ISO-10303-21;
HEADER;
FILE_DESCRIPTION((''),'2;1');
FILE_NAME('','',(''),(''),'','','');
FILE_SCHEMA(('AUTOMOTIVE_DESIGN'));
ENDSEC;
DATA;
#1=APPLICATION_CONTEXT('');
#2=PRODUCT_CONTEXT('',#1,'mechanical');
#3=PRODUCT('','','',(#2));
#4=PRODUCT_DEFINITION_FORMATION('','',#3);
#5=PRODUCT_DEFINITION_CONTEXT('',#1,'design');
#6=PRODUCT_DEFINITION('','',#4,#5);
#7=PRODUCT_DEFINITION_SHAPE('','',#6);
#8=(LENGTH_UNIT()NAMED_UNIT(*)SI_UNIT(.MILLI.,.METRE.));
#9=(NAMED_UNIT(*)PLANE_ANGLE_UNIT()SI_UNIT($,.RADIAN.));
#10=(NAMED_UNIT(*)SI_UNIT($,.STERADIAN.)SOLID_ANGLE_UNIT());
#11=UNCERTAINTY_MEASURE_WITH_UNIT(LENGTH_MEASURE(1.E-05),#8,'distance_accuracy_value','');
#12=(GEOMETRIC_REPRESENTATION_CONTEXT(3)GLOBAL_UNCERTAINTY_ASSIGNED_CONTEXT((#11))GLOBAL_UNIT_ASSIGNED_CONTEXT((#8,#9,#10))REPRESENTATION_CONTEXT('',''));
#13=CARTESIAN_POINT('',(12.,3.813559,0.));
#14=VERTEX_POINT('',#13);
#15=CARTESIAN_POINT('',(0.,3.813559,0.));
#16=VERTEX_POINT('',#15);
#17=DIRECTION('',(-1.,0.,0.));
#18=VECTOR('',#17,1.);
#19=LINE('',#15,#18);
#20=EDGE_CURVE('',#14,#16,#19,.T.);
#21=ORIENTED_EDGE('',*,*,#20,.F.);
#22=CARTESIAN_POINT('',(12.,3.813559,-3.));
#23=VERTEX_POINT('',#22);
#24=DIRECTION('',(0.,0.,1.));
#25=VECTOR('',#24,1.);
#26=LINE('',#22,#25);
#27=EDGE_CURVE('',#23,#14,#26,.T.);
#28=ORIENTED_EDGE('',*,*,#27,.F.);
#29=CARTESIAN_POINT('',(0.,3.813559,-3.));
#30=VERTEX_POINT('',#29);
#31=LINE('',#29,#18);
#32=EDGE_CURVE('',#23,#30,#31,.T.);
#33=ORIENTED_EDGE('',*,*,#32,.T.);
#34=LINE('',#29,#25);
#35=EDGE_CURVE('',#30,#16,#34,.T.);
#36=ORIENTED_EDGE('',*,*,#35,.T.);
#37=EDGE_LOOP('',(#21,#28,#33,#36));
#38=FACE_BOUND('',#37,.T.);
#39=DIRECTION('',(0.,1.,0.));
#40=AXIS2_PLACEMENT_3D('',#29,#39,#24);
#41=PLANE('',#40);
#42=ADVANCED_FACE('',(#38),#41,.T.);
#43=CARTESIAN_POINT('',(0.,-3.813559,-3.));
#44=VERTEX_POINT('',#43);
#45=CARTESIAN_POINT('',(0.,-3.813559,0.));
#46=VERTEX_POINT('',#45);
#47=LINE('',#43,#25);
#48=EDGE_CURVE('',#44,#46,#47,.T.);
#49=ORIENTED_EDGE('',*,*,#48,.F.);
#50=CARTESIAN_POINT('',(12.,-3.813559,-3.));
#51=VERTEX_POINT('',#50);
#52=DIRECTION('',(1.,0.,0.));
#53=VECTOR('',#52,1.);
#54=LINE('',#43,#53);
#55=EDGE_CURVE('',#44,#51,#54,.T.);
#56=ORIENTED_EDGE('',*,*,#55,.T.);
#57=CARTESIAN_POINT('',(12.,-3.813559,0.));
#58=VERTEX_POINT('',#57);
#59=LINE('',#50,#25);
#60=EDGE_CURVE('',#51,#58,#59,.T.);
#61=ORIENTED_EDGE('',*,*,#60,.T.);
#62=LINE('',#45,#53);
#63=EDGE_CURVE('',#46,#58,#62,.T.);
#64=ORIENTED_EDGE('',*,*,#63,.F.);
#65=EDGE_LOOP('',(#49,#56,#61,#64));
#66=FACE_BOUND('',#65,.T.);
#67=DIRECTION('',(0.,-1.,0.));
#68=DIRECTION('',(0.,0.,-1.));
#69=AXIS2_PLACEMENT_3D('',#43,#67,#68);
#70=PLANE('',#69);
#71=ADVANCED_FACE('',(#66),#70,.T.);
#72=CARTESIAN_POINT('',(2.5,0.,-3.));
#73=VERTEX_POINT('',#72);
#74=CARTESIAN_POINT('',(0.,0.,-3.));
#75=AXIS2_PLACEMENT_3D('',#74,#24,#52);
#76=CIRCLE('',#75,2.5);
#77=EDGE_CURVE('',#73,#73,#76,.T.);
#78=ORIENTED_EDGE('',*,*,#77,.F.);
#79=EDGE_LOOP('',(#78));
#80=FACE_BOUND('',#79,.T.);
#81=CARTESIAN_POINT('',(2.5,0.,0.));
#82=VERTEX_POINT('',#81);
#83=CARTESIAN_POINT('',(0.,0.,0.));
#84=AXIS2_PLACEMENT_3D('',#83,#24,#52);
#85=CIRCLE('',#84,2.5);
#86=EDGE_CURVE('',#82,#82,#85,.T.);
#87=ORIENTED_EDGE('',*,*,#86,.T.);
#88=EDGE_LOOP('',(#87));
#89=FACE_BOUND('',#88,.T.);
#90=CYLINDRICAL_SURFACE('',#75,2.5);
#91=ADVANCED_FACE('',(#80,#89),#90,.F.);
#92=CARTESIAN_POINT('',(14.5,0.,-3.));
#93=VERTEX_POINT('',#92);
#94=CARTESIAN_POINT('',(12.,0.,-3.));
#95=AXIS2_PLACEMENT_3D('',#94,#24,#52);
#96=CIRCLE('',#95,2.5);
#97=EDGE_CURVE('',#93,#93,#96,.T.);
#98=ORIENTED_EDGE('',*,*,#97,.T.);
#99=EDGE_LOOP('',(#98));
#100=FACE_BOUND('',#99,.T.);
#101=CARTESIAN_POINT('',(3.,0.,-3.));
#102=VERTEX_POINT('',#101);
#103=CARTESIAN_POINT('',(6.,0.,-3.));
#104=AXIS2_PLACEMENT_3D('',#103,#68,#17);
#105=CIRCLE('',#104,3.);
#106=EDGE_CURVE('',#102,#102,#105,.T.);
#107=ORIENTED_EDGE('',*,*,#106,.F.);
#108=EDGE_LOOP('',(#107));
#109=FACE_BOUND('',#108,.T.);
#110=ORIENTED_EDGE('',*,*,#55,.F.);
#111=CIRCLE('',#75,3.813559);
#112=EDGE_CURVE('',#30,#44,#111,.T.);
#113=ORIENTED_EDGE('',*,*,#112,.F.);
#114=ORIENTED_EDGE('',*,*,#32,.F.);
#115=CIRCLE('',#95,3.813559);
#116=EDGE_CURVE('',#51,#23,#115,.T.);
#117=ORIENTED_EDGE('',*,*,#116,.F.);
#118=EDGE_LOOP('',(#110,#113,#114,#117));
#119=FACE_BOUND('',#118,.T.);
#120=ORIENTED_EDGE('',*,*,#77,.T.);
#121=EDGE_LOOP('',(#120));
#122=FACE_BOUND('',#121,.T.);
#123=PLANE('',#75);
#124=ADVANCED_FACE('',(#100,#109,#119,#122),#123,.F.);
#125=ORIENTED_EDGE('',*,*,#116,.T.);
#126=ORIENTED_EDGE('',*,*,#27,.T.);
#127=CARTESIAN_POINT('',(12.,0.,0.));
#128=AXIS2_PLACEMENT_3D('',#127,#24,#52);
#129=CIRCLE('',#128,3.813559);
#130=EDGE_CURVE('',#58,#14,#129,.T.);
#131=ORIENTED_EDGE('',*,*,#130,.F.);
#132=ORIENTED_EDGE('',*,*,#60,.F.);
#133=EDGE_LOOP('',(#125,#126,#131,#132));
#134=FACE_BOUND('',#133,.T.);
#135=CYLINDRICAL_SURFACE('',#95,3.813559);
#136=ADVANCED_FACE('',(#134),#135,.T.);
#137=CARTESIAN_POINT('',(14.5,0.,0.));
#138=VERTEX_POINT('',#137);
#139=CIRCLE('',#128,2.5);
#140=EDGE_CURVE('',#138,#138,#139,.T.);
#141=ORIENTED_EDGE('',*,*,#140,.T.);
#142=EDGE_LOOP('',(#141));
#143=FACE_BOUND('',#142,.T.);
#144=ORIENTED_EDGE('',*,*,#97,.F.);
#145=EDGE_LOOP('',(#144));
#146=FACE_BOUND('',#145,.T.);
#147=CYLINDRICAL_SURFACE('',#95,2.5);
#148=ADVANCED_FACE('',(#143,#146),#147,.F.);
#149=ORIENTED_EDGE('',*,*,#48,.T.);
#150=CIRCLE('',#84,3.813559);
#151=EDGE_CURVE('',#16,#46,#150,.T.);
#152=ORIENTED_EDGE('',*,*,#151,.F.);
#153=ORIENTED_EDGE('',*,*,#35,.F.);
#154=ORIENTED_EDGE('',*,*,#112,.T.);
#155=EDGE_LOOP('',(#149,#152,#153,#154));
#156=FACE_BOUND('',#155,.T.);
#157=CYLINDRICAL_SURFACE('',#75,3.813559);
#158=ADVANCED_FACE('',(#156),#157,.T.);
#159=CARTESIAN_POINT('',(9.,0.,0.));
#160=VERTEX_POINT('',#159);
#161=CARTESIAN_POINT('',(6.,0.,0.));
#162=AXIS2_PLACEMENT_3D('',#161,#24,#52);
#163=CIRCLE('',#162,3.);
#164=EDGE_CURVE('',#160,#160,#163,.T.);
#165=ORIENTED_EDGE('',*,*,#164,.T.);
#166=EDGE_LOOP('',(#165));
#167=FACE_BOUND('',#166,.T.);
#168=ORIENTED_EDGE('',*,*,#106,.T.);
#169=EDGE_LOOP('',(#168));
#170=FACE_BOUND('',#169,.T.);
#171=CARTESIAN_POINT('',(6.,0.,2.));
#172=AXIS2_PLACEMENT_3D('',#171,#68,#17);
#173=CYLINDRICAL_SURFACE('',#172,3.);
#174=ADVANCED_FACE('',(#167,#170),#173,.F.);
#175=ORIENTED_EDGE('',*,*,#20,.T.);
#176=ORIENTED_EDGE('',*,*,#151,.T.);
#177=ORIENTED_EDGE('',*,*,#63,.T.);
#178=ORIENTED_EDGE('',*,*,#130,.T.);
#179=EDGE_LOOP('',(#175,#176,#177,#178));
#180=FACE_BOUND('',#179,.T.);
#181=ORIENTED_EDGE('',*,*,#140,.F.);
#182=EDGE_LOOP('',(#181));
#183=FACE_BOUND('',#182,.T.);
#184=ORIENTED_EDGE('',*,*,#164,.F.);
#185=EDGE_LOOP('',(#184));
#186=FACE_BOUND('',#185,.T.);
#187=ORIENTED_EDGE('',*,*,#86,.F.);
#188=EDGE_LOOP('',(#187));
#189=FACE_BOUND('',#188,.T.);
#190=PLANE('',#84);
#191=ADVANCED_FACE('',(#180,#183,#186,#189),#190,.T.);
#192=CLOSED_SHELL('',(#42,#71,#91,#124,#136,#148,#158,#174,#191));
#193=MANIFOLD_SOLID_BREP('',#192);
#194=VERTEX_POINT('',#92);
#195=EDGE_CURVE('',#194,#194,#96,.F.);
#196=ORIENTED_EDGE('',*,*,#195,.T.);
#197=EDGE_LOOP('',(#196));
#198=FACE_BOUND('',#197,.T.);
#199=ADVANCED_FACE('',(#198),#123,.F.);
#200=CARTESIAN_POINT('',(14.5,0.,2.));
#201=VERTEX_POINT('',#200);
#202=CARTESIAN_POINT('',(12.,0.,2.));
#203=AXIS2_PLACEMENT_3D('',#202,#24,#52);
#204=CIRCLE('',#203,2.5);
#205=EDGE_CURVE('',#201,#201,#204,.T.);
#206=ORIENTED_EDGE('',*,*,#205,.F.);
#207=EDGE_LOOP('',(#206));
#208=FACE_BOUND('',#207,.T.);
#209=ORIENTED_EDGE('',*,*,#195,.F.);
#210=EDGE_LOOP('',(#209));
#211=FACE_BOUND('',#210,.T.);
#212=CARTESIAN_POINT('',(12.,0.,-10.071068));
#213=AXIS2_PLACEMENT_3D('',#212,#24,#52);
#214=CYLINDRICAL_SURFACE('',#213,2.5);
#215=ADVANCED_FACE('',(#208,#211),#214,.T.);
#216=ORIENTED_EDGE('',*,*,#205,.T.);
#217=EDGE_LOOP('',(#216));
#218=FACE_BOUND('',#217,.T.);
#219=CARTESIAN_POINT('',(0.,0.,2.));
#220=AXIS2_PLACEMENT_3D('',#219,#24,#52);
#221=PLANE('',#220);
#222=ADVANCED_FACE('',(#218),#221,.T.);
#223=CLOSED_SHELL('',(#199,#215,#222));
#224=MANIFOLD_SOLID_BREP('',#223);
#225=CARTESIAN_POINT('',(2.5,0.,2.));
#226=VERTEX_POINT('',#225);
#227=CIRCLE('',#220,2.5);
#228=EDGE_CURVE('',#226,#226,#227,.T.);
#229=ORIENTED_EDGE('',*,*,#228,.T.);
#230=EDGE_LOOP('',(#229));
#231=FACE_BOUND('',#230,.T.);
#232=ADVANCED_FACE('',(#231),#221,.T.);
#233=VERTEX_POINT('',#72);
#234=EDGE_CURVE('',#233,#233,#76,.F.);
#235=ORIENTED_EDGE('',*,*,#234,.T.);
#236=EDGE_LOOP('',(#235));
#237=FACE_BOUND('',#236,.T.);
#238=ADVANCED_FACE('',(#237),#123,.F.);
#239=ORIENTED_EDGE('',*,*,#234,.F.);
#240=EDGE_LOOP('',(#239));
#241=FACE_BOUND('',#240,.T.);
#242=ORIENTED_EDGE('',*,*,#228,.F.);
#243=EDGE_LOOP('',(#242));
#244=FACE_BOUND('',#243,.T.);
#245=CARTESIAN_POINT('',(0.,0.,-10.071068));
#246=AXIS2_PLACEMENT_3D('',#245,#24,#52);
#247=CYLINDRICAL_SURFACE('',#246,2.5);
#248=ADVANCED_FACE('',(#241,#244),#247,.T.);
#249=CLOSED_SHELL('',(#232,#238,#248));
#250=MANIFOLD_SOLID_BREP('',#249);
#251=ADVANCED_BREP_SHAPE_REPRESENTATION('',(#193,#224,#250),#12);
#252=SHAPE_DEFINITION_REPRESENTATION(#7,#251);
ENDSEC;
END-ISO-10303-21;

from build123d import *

# Parameters (mm, degrees)
SKETCH1_R                  = 2.5
BOSS_EXTRUDE1_DEPTH        = 3
SKETCH1_2_R                = 2.5
BOSS_EXTRUDE2_DEPTH        = 2
BOSS_EXTRUDE2_DEPTH_BACK   = 3
BOSS_EXTRUDE2_2_DEPTH      = 2
BOSS_EXTRUDE2_2_DEPTH_BACK = 3
SKETCH2_R                  = 3
CUT_EXTRUDE1_DEPTH         = 6


with BuildPart() as part:
    # Sketch1 → Boss-Extrude1 (new body)
    with BuildSketch(Plane.XY):
        with BuildLine():
            Line((0, 3.813559322), (12, 3.813559322))
            ThreePointArc((12, 3.813559322), (15.813559322, 0), (12, -3.813559322))
            Line((12, -3.813559322), (0, -3.813559322))
            ThreePointArc((0, -3.813559322), (-3.813559322, 0), (0, 3.813559322))
        make_face()
        Circle(SKETCH1_R, mode=Mode.SUBTRACT)
        with Locations((12, 0)):
            Circle(SKETCH1_R, mode=Mode.SUBTRACT)
    extrude(amount=-BOSS_EXTRUDE1_DEPTH)

    # Sketch2 → Cut-Extrude1 (cut, through all)
    with BuildSketch(Plane(origin=(0, 0, -3), x_dir=(-1, 0, 0), z_dir=(0, 0, -1))):
        with Locations((-6, 0)):
            Circle(SKETCH2_R)
    extrude(amount=-CUT_EXTRUDE1_DEPTH, mode=Mode.SUBTRACT)


with BuildPart() as body_2:
    # Sketch1<2> → Boss-Extrude2 (new body, two sides)
    with BuildSketch(Plane.XY) as boss_extrude2_sk:
        Circle(SKETCH1_2_R)
    extrude(amount=BOSS_EXTRUDE2_DEPTH)
    extrude(boss_extrude2_sk.sketch, amount=-BOSS_EXTRUDE2_DEPTH_BACK)


with BuildPart() as body_3:
    # Sketch1<2> → Boss-Extrude2 2 (new body, two sides)
    with BuildSketch(Plane.XY) as boss_extrude2_2_sk:
        with Locations((12, 0)):
            Circle(SKETCH1_2_R)
    extrude(amount=BOSS_EXTRUDE2_2_DEPTH)
    extrude(boss_extrude2_2_sk.sketch, amount=-BOSS_EXTRUDE2_2_DEPTH_BACK)


solid = Compound([part.part, body_2.part, body_3.part])
